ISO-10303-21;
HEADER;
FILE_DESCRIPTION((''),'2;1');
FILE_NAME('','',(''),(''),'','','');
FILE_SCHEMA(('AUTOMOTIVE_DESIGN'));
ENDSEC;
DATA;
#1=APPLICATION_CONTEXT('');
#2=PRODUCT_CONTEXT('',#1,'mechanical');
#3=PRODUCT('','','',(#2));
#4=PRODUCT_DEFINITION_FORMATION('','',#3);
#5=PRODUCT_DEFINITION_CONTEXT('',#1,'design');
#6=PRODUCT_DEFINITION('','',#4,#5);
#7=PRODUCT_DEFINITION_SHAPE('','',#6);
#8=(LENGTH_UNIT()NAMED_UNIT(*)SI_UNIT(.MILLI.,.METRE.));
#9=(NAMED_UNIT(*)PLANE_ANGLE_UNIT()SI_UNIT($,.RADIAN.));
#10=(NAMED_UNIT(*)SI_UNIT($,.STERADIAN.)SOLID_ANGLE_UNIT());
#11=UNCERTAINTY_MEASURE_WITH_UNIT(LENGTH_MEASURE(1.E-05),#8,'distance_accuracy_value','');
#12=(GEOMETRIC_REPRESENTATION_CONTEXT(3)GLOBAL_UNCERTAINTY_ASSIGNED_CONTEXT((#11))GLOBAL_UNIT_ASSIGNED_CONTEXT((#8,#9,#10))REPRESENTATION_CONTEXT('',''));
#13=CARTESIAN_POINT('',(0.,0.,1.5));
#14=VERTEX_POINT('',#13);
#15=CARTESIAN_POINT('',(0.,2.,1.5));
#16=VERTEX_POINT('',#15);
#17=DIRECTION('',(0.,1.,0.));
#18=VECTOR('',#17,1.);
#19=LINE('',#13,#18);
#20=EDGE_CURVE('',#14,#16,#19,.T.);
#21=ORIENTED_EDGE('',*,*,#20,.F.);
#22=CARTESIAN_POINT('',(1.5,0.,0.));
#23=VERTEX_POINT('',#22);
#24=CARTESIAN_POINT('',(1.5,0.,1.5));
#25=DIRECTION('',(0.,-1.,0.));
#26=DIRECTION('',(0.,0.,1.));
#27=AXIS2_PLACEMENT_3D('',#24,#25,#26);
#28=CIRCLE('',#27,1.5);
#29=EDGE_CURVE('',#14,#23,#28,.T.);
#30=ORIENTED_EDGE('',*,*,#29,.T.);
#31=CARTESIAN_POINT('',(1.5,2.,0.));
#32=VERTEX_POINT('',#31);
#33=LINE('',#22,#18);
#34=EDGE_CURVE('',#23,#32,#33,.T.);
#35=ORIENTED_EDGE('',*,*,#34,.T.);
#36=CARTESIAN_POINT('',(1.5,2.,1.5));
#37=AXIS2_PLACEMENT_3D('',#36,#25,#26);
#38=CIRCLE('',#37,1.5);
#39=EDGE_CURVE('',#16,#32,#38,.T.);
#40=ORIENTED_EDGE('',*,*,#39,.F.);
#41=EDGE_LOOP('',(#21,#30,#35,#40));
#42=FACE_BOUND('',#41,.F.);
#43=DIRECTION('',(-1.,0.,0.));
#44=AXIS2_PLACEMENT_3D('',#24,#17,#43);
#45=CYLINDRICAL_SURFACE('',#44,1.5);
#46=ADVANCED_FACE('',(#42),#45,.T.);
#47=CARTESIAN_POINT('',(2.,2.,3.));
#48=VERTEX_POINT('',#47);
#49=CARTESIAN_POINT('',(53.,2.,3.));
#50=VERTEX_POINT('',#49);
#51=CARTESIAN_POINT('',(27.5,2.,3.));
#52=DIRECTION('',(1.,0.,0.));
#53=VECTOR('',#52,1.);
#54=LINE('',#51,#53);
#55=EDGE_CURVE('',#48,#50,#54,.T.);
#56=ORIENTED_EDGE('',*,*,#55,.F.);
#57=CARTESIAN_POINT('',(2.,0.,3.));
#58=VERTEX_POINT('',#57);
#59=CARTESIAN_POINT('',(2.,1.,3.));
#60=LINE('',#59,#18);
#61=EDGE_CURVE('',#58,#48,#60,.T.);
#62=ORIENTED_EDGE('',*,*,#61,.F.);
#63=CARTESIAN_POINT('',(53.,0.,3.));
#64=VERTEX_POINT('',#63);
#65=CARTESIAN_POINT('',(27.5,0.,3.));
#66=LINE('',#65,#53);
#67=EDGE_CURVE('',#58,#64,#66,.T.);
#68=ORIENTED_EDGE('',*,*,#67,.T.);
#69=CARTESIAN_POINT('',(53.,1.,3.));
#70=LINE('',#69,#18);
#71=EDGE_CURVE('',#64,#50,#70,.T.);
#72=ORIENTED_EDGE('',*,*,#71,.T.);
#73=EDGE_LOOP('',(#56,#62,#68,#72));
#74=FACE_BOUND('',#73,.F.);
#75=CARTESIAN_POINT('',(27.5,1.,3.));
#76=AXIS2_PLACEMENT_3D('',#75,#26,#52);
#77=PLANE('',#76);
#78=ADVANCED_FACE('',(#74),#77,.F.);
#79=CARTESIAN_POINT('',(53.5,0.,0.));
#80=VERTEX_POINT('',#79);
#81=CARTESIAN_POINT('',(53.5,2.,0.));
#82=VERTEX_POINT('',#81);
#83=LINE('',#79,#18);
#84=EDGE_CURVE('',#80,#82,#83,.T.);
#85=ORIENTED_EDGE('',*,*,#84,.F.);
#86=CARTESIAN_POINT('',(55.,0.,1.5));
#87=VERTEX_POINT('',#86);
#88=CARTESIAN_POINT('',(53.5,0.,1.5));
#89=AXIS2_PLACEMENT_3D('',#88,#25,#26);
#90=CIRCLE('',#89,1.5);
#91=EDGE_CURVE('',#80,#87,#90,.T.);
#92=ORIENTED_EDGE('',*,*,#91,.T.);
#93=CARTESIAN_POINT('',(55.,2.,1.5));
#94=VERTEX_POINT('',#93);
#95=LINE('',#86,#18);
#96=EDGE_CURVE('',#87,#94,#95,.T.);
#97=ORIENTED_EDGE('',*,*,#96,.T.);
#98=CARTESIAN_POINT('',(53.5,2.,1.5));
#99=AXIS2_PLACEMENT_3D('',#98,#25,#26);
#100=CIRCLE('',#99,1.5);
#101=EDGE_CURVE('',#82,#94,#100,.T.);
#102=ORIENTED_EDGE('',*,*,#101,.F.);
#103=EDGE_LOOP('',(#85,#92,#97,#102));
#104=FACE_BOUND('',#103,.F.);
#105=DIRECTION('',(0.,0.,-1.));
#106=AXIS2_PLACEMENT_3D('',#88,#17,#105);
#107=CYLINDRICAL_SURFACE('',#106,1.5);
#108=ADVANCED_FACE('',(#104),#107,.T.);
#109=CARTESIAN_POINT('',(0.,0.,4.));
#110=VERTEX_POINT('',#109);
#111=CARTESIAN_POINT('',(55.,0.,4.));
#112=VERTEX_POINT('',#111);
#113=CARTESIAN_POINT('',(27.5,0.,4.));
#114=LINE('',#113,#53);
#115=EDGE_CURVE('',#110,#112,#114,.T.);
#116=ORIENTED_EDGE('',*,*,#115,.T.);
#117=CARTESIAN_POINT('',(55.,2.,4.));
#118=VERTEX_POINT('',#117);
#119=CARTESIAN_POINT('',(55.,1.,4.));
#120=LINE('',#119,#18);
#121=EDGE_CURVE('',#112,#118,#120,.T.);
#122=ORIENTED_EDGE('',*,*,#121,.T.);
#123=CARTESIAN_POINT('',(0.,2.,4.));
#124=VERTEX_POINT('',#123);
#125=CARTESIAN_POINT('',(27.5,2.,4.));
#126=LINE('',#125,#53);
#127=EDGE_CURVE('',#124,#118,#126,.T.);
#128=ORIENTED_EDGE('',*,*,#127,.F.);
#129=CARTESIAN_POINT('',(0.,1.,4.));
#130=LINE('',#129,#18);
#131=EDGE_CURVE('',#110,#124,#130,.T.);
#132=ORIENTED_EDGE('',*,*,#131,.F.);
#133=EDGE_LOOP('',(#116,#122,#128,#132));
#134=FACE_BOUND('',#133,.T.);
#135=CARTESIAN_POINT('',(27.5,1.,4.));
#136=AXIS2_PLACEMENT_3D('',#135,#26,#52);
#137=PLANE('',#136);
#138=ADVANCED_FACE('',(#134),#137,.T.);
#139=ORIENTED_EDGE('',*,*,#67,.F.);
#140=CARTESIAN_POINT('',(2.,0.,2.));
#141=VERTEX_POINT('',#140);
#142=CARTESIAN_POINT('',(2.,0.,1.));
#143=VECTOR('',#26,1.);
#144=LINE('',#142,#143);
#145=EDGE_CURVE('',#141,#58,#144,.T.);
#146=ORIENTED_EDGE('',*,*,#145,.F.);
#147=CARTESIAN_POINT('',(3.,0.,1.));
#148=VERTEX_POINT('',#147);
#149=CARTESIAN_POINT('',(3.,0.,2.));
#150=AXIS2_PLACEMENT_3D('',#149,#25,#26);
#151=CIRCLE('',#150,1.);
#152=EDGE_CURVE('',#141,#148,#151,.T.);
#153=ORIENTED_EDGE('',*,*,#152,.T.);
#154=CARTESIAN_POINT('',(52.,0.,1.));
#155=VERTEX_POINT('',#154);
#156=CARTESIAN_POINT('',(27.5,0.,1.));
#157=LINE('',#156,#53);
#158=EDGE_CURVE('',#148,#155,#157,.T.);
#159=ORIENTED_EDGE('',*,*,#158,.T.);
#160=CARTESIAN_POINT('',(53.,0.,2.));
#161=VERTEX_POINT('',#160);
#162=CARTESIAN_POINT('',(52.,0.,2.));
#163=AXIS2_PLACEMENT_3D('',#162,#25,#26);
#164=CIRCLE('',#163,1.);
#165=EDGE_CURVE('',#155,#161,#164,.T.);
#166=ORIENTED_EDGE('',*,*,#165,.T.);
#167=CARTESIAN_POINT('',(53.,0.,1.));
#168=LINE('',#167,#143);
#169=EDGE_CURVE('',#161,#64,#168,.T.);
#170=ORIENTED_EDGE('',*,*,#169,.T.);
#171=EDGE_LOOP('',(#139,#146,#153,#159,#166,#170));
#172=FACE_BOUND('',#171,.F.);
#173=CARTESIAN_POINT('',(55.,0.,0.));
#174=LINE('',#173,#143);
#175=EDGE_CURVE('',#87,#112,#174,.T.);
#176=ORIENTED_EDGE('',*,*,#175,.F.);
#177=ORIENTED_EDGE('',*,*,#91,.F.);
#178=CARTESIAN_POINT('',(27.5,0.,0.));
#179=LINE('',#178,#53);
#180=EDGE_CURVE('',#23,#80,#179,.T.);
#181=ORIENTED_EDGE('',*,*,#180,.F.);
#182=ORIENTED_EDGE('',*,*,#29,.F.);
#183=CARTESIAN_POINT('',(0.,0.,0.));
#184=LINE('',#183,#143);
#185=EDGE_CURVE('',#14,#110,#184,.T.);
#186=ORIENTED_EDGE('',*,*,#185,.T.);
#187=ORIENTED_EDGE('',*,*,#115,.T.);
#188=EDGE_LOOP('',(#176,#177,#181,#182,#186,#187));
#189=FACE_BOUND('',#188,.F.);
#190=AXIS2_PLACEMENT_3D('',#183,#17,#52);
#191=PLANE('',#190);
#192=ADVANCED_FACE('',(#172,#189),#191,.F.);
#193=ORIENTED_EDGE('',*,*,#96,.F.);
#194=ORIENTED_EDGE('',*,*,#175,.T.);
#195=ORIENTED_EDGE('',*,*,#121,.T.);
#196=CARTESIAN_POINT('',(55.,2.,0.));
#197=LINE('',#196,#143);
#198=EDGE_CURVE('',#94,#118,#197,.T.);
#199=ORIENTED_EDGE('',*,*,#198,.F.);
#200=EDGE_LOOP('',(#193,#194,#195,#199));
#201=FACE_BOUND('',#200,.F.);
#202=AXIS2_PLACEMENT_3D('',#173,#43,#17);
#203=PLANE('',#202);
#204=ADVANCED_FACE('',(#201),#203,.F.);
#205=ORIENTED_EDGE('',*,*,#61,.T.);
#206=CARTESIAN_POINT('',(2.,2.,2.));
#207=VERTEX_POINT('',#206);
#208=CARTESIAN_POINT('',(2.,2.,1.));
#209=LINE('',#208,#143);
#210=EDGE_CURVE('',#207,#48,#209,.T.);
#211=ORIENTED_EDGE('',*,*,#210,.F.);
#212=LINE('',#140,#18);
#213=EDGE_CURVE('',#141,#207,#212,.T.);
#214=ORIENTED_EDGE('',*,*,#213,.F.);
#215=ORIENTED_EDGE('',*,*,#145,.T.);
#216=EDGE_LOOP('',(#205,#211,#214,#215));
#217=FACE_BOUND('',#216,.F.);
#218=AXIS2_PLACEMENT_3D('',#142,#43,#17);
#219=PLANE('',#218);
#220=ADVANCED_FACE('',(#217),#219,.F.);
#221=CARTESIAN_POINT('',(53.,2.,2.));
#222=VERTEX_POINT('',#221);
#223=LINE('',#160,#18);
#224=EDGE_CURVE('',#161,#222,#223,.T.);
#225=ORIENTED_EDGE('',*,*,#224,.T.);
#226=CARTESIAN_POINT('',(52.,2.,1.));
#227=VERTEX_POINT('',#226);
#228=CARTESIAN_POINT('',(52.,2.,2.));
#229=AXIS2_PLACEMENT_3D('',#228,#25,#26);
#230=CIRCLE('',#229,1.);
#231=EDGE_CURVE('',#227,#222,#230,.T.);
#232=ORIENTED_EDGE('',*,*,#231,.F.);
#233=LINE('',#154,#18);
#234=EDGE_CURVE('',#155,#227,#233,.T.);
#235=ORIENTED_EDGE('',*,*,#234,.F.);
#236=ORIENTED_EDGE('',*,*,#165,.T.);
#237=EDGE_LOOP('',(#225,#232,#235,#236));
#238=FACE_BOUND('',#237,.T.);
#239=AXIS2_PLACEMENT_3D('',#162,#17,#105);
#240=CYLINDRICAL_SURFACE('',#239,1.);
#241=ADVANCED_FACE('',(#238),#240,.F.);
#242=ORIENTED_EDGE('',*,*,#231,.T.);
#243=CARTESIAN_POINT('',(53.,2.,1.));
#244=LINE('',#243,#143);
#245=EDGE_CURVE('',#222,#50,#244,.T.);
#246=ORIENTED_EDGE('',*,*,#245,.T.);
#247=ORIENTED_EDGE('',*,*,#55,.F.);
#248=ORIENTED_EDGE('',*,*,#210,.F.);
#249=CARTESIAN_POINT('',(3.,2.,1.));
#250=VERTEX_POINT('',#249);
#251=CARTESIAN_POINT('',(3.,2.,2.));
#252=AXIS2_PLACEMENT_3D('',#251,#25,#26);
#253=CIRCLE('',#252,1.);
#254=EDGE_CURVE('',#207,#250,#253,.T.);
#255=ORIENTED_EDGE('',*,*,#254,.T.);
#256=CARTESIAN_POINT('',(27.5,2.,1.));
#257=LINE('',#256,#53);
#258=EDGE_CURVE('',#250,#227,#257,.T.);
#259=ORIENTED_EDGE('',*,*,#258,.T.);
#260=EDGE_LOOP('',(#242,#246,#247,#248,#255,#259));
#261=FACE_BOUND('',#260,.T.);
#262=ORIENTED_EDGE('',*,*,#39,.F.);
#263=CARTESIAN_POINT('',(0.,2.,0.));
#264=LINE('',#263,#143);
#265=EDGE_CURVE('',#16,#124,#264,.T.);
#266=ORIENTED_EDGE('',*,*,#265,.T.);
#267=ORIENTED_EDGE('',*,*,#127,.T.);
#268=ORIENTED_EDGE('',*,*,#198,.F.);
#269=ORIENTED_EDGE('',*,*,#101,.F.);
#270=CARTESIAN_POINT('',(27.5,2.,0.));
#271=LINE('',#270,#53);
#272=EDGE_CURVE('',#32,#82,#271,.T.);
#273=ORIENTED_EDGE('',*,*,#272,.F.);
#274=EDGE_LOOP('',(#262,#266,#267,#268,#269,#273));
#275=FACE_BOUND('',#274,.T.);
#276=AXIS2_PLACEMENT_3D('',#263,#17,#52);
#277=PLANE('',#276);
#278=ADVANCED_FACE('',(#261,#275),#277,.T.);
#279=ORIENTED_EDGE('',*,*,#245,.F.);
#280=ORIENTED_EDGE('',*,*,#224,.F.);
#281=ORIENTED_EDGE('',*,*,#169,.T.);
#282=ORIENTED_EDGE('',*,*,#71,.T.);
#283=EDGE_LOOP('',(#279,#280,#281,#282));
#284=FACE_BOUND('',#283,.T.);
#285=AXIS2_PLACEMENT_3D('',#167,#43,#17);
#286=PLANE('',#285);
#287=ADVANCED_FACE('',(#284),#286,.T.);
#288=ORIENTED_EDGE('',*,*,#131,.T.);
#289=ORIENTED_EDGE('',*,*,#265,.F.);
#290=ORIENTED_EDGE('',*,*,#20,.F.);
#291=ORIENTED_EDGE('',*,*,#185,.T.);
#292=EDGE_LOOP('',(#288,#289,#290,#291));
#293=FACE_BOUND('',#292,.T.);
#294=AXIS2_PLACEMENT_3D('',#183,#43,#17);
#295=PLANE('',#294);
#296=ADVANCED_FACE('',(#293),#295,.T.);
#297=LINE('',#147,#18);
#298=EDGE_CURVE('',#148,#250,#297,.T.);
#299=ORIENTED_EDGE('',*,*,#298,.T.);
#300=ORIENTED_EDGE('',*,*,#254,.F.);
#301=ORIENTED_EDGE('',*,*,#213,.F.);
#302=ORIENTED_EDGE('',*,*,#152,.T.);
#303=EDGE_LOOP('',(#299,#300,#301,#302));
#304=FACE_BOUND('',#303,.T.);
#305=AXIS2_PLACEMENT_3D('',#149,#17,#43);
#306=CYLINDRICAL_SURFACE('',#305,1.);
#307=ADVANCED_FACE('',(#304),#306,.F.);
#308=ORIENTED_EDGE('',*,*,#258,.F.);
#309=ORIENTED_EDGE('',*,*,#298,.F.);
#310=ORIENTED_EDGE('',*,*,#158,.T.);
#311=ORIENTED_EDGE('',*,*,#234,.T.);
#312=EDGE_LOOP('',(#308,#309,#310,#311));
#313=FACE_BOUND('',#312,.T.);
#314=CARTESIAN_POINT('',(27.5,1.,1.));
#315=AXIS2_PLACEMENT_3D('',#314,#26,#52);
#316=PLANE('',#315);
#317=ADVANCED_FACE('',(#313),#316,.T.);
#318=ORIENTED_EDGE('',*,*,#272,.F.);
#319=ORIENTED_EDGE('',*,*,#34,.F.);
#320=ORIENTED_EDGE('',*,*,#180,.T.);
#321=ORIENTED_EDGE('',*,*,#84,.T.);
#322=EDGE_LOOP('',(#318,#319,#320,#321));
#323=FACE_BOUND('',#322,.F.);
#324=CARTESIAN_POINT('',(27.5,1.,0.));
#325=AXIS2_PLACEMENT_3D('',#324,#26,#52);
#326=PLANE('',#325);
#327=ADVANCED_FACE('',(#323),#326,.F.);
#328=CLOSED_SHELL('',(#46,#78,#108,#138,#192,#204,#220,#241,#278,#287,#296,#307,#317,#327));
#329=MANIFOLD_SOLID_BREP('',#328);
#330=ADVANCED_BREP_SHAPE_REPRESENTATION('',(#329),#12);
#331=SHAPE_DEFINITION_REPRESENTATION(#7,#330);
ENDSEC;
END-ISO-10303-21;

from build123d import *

# Parameters (mm, degrees)
BOX001_W     = 51
BOX001_H     = 2
BOX001_DEPTH = 2
BOX_W        = 55
BOX_H        = 2
BOX_DEPTH    = 4
FILLET_R     = 1.5
FILLET001_R  = 1
FILLET002_R  = 1


with BuildPart() as cube001:
    # Box001 → Box001 (new body)
    with BuildSketch(Plane(origin=(2, 0, 1), x_dir=(1, 0, 0), z_dir=(0, 0, 1))):
        with Locations((25.5, 1)):
            Rectangle(BOX001_W, BOX001_H)
    extrude(amount=BOX001_DEPTH)


with BuildPart() as fillet002:
    # Box → Box (new body)
    with BuildSketch(Plane.XY):
        with Locations((27.5, 1)):
            Rectangle(BOX_W, BOX_H)
    extrude(amount=BOX_DEPTH)

    # Cut: cut Cube001
    add(cube001.part, mode=Mode.SUBTRACT)

    # Fillet
    fillet_edges = [fillet002.edges().sort_by_distance(p)[0] for p in [
        (0, 1, 0),
        (55, 1, 0),
    ]]
    fillet(fillet_edges, radius=FILLET_R)

    # Fillet001
    fillet001_edges = [fillet002.edges().sort_by_distance(p)[0] for p in [
        (2, 1, 1),
    ]]
    fillet(fillet001_edges, radius=FILLET001_R)

    # Fillet002
    fillet002_edges = [fillet002.edges().sort_by_distance(p)[0] for p in [
        (53, 1, 1),
    ]]
    fillet(fillet002_edges, radius=FILLET002_R)


solid = fillet002.part
